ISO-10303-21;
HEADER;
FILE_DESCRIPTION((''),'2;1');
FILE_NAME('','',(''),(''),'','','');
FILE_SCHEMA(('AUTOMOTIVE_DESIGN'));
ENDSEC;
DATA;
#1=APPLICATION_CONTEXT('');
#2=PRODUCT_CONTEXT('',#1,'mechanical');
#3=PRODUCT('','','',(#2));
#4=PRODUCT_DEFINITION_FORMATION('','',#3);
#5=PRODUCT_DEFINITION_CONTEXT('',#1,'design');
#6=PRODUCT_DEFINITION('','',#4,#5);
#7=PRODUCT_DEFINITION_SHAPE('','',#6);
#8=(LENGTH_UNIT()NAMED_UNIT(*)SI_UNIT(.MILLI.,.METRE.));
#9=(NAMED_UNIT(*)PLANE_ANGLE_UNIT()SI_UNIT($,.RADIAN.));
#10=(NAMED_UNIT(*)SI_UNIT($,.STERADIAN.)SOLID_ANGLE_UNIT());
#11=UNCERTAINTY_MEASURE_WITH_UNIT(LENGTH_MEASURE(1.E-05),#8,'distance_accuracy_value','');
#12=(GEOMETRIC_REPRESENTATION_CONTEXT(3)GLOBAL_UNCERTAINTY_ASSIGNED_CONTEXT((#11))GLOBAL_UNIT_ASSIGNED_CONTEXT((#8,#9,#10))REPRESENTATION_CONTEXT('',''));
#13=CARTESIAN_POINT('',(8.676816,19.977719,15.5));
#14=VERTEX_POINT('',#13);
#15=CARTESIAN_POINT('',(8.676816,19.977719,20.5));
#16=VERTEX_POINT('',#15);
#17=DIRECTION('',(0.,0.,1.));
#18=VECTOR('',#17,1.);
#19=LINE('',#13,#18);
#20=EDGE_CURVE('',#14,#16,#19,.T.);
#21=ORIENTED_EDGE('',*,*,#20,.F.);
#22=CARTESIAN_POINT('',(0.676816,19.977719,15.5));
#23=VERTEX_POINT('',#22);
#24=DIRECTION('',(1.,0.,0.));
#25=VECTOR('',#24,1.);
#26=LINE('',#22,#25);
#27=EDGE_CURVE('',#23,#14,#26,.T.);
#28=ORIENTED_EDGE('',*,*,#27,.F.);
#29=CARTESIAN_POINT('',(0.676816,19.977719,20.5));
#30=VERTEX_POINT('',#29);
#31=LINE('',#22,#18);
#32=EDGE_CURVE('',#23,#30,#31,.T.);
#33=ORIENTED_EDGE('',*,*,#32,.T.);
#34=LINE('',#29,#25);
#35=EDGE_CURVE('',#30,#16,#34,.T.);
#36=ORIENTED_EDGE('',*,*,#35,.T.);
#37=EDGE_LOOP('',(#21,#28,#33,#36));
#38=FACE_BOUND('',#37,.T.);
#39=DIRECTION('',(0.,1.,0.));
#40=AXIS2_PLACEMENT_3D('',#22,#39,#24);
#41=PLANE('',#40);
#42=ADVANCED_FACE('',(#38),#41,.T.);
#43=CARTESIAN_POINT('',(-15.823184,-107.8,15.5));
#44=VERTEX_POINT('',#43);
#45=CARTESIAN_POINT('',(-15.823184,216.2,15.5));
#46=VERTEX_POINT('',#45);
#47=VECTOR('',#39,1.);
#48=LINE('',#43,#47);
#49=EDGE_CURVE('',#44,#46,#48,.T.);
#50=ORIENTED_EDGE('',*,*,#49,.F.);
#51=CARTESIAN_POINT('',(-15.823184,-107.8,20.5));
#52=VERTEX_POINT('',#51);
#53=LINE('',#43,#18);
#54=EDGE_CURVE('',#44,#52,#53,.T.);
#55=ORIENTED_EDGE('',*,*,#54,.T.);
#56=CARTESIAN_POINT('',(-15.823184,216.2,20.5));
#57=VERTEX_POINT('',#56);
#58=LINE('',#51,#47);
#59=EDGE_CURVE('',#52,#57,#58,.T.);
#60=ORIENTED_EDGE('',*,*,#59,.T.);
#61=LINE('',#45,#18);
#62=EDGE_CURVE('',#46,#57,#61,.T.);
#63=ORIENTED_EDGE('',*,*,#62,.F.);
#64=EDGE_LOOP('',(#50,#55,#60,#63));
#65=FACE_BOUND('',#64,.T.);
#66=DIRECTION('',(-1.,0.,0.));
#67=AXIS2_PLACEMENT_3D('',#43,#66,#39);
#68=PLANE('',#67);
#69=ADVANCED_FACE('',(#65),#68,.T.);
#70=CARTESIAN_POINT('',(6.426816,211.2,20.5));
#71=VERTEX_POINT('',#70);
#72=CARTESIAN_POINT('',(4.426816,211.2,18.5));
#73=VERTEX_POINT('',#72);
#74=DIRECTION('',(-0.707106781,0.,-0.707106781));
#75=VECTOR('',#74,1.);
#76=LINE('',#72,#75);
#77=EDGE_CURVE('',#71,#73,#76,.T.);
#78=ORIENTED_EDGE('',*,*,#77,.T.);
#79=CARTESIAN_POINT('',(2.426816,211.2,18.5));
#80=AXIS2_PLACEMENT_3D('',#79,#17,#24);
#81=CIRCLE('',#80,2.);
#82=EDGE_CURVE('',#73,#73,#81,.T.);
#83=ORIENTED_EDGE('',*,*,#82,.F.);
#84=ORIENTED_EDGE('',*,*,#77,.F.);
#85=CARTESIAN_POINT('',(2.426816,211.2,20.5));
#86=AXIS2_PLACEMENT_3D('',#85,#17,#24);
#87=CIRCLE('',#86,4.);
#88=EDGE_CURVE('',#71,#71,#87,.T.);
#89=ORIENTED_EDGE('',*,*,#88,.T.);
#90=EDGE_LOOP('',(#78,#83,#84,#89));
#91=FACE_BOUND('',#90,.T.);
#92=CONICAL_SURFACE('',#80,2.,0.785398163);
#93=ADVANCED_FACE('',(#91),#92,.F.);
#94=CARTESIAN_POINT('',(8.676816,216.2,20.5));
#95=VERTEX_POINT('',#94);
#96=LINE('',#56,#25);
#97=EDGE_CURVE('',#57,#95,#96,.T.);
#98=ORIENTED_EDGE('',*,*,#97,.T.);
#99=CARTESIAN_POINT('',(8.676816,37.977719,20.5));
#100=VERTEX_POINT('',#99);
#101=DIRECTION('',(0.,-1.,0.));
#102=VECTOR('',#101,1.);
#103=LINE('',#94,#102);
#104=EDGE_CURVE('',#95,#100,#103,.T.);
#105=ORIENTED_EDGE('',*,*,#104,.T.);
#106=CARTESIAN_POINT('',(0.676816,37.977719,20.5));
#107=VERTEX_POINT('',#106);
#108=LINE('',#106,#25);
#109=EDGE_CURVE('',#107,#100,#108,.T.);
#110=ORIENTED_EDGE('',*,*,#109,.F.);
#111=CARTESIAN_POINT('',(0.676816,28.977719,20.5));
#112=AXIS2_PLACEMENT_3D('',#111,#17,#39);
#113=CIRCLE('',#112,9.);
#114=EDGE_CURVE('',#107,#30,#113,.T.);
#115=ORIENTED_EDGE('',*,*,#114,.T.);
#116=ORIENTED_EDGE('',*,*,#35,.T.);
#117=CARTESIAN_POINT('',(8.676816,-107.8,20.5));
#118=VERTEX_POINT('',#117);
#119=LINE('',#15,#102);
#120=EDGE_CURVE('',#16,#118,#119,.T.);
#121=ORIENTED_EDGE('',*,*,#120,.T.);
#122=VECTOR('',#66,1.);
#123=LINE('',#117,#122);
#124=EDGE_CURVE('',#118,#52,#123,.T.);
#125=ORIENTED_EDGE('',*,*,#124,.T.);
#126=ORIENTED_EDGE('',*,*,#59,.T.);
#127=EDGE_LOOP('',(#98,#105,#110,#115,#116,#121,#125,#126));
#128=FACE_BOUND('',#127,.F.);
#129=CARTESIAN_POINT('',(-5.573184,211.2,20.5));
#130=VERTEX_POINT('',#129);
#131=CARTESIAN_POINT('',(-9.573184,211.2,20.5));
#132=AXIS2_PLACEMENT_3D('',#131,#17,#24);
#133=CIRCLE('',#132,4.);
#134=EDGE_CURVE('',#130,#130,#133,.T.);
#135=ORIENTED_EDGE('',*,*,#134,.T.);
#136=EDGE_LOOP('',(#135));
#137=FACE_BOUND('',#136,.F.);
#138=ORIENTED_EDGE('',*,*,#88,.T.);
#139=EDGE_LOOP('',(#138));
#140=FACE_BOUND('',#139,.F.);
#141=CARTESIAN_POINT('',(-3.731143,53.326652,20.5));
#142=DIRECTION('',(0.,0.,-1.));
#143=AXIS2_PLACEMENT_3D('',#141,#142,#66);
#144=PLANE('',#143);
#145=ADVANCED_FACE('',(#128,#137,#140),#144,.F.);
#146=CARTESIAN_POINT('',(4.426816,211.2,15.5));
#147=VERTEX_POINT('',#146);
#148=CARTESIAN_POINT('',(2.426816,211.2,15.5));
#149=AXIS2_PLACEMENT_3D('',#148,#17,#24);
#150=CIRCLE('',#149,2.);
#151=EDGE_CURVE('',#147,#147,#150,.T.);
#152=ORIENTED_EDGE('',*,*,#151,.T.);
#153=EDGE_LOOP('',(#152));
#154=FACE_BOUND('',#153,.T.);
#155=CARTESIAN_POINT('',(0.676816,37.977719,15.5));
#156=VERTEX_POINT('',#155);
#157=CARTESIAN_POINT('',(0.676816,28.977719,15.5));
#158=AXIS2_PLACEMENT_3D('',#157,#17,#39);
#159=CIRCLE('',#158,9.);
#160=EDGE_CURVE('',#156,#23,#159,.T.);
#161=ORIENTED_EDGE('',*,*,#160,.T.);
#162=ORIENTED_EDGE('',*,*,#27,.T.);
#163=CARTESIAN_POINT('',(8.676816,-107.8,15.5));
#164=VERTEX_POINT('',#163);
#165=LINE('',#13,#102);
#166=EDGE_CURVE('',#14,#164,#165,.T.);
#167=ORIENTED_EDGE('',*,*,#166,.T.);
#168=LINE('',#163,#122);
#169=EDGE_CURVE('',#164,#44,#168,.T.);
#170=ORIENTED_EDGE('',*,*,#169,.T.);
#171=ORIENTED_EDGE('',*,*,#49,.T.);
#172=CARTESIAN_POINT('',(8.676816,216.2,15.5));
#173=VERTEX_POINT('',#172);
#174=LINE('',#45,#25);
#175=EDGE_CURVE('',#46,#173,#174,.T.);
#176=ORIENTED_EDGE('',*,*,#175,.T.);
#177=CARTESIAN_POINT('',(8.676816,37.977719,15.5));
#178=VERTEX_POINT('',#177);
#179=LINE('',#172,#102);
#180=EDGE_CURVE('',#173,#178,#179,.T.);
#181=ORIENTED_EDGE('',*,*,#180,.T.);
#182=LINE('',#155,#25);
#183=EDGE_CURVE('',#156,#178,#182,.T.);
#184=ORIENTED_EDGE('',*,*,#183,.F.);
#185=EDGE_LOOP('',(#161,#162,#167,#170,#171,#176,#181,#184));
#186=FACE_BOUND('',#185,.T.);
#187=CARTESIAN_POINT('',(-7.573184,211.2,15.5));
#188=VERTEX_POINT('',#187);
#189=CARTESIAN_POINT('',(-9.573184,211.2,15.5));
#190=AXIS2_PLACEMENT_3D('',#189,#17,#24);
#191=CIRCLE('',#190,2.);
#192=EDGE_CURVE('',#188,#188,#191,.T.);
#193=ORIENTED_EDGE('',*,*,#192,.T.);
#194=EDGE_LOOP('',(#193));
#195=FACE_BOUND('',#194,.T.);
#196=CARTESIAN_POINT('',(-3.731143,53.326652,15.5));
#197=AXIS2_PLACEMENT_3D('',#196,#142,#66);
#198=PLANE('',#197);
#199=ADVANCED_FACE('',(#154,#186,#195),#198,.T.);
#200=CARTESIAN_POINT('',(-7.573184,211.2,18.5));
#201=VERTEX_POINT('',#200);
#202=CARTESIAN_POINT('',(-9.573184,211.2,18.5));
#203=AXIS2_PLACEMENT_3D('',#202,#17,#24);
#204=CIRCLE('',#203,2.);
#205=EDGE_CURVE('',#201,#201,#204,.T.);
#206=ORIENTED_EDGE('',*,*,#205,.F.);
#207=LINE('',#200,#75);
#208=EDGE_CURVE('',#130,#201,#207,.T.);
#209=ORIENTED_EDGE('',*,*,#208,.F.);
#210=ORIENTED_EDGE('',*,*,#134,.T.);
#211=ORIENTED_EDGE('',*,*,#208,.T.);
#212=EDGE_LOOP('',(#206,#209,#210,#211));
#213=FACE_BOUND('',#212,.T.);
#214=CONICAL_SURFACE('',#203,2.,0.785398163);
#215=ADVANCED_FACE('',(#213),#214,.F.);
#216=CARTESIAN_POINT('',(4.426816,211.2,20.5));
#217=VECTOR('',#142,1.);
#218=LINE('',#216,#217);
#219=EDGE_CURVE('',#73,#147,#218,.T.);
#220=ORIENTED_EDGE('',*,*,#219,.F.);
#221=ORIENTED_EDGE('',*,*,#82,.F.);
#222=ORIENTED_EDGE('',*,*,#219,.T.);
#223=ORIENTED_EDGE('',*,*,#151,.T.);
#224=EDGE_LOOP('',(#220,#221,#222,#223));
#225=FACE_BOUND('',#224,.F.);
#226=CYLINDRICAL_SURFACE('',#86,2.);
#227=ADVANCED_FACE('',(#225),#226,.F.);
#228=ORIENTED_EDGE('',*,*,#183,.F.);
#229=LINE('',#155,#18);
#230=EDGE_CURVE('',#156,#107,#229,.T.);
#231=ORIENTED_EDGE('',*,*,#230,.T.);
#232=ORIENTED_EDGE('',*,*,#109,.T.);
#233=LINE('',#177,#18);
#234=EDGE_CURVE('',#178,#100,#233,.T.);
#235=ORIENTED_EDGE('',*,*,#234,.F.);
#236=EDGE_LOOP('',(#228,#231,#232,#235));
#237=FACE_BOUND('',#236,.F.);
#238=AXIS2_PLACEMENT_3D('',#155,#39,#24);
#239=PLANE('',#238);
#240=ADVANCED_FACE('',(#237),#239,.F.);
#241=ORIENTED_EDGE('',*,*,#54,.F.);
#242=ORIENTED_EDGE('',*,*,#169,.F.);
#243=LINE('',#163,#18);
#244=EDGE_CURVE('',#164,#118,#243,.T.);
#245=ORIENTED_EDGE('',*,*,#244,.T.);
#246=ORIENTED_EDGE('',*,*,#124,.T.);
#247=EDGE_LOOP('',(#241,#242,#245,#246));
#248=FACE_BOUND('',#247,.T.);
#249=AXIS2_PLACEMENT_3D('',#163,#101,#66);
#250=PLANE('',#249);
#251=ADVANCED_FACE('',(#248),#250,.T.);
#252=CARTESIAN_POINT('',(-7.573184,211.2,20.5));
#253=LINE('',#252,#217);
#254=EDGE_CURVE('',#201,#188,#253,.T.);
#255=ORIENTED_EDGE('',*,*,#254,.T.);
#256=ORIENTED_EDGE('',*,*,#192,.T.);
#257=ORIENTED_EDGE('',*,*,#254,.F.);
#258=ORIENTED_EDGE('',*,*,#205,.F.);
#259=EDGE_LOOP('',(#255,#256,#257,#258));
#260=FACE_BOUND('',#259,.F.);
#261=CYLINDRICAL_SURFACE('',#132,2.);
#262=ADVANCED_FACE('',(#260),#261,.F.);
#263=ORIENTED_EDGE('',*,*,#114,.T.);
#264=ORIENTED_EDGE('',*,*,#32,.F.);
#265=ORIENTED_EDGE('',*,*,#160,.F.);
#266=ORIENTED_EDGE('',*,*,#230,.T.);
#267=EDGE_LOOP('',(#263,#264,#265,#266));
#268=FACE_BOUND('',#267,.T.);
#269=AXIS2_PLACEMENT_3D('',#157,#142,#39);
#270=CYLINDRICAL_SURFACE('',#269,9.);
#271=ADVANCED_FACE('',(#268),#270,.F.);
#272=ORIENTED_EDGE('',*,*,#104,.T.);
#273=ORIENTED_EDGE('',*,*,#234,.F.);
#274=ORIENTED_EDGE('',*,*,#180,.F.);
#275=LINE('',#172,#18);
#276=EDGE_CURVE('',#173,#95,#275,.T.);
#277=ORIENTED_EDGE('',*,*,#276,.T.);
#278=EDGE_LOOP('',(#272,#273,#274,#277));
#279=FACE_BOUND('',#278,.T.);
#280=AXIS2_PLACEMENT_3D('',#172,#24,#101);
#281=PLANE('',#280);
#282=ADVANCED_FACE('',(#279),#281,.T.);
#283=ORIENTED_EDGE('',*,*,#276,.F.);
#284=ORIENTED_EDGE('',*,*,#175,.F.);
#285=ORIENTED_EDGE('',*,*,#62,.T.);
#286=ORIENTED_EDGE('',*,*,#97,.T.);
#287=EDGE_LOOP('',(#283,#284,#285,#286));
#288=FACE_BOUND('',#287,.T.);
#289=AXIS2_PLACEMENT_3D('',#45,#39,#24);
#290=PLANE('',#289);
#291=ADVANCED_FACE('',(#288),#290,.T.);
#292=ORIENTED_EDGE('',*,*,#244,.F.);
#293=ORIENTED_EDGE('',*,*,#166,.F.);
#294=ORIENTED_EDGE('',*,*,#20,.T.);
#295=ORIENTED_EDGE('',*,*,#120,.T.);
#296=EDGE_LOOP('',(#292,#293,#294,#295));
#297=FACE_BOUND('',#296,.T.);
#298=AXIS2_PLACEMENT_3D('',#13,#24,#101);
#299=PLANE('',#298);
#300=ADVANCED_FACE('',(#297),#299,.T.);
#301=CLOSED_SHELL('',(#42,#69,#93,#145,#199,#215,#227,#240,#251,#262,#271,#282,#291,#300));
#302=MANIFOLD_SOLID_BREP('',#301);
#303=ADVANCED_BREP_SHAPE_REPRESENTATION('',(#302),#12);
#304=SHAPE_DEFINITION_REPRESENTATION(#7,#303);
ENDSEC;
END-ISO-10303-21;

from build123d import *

# Parameters (mm, degrees)
PAD027_DEPTH    = 5
SKETCH059_R     = 2
POCKET037_DEPTH = 5.001
CHAMFER021_SIZE = 2


with BuildPart() as part:
    # Sketch054 → Pad027 (new body)
    with BuildSketch(Plane.XY):
        with BuildLine():
            Line((8.676816, 19.977719), (8.676816, -107.8))
            Line((8.676816, -107.8), (-15.823184, -107.8))
            Line((-15.823184, -107.8), (-15.823184, 216.2))
            Line((-15.823184, 216.2), (8.676816, 216.2))
            Line((8.676816, 216.2), (8.676816, 37.977719))
            Line((0.676816, 37.977719), (8.676816, 37.977719))
            ThreePointArc((0.676816, 37.977719), (-8.323184, 28.977719), (0.676816, 19.977719))
            Line((0.676816, 19.977719), (8.676816, 19.977719))
        make_face()
    extrude(amount=PAD027_DEPTH)

    # Sketch059 (on Face10 of Pad027) → Pocket037 (cut, through all)
    with BuildSketch(Plane.XY.offset(5)):
        with Locations((-9.573184, 211.2)):
            Circle(SKETCH059_R)
        with Locations((2.426816, 211.2)):
            Circle(SKETCH059_R)
    extrude(amount=-POCKET037_DEPTH, mode=Mode.SUBTRACT)

    # Chamfer021
    chamfer021_edges = [part.edges().sort_by_distance(p)[0] for p in [
        (-11.573184, 211.2, 5),
        (0.426816, 211.2, 5),
    ]]
    chamfer(chamfer021_edges, length=CHAMFER021_SIZE)


with BuildPart() as part_1:
    # Body020 placement: moved
    add(part.part.moved(Location((0, 0, 15.5))))


solid = part_1.part
